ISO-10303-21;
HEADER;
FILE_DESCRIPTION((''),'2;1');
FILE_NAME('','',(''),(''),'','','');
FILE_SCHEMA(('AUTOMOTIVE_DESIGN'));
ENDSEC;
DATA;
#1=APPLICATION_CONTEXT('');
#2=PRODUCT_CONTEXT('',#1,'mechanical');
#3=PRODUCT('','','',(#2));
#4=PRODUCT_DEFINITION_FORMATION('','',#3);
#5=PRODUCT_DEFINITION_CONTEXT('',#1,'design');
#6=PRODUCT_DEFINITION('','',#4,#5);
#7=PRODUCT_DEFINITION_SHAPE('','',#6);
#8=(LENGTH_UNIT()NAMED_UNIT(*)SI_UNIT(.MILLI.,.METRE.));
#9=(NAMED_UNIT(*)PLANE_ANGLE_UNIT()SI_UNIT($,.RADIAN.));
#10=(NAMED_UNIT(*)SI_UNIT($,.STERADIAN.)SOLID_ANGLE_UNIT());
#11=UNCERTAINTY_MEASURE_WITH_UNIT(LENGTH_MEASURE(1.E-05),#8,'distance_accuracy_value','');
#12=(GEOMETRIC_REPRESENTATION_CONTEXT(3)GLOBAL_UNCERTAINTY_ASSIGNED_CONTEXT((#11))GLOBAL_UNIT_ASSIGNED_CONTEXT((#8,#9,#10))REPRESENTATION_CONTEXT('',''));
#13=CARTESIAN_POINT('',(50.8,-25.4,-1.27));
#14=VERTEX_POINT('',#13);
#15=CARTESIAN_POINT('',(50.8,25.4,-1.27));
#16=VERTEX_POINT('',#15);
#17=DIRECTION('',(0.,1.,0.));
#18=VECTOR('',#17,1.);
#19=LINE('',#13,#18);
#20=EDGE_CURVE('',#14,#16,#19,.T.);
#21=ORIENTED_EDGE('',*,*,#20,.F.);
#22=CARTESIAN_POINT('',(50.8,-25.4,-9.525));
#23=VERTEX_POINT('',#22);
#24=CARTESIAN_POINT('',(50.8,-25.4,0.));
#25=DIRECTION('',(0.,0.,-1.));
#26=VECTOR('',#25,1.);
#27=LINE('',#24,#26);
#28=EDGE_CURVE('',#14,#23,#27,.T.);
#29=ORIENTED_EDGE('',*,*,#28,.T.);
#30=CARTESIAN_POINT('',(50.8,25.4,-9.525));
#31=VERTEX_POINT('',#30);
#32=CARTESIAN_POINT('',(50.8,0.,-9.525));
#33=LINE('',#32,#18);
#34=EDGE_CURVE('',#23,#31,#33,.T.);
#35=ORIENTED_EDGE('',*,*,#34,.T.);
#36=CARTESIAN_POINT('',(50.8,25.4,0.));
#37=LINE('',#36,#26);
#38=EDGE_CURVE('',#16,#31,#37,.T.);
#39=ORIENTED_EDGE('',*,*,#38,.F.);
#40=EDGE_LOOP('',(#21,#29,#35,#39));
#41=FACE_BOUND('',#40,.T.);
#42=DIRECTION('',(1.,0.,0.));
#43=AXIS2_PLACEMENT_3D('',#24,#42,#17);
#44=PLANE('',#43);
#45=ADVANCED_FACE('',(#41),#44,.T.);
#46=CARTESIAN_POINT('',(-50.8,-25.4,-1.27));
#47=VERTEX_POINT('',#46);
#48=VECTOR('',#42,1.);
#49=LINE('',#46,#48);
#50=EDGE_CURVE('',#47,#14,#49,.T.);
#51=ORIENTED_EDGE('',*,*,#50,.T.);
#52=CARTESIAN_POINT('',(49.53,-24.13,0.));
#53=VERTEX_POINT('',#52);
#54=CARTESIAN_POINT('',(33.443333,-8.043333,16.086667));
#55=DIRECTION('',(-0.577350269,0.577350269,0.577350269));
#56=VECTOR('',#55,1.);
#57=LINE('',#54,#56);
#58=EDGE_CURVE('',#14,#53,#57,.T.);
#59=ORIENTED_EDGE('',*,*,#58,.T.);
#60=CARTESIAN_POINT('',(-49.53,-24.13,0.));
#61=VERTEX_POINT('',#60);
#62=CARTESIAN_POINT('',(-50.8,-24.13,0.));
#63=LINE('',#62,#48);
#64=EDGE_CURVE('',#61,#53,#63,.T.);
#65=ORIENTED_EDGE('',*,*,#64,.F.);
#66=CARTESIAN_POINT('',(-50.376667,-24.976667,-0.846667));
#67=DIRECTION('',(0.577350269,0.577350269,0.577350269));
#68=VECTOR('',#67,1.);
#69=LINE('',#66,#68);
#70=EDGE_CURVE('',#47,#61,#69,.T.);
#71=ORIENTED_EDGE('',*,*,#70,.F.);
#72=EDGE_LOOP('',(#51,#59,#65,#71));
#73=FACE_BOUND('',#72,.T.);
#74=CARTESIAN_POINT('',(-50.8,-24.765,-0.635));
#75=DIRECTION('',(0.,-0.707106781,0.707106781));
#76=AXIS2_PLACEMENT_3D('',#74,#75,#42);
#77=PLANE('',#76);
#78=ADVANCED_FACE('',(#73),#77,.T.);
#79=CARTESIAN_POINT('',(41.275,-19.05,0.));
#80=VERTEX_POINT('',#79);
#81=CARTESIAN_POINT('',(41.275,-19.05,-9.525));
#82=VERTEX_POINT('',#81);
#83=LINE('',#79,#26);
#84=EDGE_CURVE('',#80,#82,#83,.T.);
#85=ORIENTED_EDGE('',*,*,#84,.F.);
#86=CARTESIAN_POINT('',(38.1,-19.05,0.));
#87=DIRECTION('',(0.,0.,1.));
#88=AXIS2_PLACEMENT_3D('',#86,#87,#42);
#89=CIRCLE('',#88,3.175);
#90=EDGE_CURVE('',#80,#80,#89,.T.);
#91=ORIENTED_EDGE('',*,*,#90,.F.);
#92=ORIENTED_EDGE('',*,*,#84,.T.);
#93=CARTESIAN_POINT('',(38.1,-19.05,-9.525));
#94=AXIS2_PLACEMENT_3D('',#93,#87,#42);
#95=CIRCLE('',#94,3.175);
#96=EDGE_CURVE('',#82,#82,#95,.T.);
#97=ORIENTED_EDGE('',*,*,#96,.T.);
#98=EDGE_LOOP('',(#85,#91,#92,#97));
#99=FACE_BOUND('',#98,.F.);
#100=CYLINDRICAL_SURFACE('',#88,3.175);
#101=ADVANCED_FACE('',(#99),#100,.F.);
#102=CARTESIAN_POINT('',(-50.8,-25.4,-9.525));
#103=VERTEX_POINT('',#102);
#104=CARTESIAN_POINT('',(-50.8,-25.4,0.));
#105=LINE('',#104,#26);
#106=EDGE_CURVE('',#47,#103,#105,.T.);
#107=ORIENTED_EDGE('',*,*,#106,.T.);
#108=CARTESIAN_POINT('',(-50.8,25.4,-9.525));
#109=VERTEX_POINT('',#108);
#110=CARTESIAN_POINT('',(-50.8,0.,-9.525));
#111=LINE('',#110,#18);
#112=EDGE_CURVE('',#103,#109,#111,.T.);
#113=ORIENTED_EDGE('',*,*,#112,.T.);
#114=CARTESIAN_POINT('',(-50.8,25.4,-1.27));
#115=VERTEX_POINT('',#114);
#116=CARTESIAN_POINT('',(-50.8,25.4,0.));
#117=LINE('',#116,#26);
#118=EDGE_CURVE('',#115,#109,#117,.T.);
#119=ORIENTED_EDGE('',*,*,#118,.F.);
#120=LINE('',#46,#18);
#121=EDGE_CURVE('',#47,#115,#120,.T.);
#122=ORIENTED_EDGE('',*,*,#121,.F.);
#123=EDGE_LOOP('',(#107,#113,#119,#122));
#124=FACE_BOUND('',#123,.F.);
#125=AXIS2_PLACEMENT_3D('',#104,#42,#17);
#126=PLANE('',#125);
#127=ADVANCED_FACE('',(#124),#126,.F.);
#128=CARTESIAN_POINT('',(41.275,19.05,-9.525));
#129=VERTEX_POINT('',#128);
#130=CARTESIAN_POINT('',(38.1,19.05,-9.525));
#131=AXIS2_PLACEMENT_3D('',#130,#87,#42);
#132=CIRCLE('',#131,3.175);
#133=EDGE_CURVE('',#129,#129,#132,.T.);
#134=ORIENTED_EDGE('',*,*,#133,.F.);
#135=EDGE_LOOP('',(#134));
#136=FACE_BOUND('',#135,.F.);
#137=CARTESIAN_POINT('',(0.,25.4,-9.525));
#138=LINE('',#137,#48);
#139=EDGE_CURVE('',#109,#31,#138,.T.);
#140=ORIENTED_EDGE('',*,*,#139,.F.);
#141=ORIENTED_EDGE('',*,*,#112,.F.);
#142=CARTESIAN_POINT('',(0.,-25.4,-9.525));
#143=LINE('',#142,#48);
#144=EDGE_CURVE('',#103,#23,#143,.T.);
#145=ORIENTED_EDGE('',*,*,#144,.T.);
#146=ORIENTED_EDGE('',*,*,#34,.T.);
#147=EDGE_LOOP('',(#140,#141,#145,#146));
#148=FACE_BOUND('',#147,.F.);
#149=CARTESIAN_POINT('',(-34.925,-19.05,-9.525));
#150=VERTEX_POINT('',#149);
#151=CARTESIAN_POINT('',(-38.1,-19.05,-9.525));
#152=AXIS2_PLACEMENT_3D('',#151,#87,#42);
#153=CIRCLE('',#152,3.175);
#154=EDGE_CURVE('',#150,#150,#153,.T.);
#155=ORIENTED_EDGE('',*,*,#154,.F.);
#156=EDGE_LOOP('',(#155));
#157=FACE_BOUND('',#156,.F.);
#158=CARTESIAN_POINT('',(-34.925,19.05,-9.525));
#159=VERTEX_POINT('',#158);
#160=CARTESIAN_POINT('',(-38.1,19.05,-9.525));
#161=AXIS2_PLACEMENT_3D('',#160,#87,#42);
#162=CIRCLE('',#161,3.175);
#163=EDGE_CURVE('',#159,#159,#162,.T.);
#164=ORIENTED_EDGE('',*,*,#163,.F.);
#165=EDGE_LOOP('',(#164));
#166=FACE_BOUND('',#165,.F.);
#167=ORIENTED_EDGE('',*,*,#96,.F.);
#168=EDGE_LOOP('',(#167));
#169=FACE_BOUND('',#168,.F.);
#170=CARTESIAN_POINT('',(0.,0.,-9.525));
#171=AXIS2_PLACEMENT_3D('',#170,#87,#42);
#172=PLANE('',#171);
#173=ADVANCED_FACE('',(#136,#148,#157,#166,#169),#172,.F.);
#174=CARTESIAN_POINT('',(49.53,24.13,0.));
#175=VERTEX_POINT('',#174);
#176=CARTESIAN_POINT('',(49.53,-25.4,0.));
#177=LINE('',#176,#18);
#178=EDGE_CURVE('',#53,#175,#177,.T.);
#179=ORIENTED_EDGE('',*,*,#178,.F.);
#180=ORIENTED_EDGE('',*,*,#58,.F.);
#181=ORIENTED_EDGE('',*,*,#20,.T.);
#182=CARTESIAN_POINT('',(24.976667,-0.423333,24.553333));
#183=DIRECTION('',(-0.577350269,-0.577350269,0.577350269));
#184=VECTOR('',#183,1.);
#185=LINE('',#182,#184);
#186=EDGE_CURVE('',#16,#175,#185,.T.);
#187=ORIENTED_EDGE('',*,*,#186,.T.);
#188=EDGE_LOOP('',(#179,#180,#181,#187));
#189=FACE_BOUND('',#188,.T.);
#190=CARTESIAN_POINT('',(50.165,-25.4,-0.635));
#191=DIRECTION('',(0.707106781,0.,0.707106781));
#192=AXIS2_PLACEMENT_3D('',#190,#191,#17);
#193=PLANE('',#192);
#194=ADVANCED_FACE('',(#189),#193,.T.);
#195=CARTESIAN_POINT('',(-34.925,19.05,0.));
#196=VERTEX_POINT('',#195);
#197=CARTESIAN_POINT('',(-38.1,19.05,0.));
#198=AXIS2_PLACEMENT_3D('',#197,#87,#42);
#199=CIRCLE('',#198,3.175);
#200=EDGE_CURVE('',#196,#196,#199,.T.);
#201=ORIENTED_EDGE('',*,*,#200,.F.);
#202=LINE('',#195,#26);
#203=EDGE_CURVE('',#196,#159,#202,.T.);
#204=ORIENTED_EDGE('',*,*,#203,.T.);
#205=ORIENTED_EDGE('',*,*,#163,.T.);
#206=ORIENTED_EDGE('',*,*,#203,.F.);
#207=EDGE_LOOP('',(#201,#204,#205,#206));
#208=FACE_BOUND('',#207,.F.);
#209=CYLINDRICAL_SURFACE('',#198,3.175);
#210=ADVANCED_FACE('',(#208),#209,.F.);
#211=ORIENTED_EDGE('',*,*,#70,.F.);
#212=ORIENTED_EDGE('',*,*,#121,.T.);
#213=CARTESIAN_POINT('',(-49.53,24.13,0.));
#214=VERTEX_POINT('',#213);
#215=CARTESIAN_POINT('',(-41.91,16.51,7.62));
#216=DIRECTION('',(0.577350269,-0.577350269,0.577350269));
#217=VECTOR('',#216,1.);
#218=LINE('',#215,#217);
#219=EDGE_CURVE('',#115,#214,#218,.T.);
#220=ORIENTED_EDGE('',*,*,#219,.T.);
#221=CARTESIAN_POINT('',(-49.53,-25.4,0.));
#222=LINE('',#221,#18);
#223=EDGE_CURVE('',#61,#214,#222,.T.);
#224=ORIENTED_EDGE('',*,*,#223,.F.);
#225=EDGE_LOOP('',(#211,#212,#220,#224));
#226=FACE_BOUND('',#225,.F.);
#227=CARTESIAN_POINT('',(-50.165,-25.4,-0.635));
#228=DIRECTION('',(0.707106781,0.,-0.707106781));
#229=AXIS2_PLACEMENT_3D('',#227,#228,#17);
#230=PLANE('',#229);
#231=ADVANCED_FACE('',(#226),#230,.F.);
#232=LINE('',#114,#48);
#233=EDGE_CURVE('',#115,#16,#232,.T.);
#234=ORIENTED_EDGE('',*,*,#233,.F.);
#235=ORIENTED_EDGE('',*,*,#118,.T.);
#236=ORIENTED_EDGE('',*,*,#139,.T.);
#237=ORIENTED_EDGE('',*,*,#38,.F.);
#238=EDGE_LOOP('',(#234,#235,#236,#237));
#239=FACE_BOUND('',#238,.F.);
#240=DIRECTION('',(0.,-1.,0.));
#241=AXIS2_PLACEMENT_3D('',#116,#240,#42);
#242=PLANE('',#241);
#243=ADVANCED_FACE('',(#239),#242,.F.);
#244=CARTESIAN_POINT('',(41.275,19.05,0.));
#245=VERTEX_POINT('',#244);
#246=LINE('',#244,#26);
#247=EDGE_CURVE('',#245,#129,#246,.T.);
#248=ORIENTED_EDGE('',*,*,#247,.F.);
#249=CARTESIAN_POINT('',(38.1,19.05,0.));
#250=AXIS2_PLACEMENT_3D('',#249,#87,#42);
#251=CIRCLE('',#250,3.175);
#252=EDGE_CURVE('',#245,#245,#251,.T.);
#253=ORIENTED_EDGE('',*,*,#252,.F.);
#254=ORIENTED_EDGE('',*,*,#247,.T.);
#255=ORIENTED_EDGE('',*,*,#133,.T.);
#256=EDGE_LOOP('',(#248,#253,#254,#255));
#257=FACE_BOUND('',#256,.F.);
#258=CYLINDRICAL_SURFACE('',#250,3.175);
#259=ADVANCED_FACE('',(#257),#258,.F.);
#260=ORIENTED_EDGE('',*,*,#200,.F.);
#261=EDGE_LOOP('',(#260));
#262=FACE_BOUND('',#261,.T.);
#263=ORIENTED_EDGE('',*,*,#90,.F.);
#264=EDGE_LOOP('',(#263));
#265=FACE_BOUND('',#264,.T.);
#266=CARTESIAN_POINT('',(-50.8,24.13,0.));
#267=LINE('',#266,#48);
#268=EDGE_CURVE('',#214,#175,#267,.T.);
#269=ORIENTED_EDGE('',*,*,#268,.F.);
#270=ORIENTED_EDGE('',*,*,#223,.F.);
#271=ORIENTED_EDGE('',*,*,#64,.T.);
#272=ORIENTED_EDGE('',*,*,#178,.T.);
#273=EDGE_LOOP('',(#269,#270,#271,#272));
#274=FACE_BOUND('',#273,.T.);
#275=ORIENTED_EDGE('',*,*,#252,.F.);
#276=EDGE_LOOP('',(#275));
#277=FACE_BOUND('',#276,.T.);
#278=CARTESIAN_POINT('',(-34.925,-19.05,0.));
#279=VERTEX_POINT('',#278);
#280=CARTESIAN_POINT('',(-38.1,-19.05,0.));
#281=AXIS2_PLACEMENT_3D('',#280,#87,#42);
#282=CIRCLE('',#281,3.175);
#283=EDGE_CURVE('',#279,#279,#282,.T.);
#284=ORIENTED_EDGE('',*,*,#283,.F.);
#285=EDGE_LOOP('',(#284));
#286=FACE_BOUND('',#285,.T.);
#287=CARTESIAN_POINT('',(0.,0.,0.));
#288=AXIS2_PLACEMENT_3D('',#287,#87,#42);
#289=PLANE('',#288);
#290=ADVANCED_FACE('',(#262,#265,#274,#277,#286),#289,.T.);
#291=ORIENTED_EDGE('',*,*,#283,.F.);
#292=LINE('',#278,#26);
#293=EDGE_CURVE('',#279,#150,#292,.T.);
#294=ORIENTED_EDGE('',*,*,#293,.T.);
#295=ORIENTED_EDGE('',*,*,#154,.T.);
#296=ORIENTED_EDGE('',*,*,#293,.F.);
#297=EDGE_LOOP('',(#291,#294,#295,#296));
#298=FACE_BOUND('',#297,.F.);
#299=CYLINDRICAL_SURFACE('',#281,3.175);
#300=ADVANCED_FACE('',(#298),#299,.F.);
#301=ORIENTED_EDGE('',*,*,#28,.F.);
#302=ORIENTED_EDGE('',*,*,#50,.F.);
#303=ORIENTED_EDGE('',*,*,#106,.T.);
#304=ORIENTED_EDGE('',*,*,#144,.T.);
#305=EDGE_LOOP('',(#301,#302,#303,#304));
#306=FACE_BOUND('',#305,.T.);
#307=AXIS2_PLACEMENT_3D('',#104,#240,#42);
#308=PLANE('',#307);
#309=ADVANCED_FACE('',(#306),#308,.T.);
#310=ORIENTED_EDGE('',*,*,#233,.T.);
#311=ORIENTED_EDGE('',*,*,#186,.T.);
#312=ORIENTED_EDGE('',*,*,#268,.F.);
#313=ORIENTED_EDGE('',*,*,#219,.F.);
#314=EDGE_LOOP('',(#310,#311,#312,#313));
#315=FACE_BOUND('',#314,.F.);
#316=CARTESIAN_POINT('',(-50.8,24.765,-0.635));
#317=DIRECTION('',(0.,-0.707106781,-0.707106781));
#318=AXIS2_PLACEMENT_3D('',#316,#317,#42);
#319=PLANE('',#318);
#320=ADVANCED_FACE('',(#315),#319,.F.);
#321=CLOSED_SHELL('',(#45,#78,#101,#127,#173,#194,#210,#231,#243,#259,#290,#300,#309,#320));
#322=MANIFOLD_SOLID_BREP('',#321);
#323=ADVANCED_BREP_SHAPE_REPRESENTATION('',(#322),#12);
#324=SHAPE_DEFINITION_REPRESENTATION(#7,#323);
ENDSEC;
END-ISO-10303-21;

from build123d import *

# Parameters (mm, degrees)
F0_W     = 101.6
F0_H     = 50.8
F0_R     = 3.175
F1_DEPTH = 9.525
F2_SIZE2 = 1.27
F2_SIZE  = 1.27


with BuildPart() as f1:
    # F0 (on Top) → F1 (new body)
    with BuildSketch(Plane.XY):
        Rectangle(F0_W, F0_H)
        with Locations((-38.1, -19.05)):
            Circle(F0_R, mode=Mode.SUBTRACT)
        with Locations((38.1, -19.05)):
            Circle(F0_R, mode=Mode.SUBTRACT)
        with Locations((-38.1, 19.05)):
            Circle(F0_R, mode=Mode.SUBTRACT)
        with Locations((38.1, 19.05)):
            Circle(F0_R, mode=Mode.SUBTRACT)
    extrude(amount=-F1_DEPTH)

    # F2
    f2_edges = [f1.edges().sort_by_distance(p)[0] for p in [
        (-50.8, 0, 0),
        (0, -25.4, 0),
        (0, 25.4, 0),
        (50.8, 0, 0),
    ]]
    chamfer(f2_edges, length=F2_SIZE, length2=F2_SIZE2)


solid = f1.part
